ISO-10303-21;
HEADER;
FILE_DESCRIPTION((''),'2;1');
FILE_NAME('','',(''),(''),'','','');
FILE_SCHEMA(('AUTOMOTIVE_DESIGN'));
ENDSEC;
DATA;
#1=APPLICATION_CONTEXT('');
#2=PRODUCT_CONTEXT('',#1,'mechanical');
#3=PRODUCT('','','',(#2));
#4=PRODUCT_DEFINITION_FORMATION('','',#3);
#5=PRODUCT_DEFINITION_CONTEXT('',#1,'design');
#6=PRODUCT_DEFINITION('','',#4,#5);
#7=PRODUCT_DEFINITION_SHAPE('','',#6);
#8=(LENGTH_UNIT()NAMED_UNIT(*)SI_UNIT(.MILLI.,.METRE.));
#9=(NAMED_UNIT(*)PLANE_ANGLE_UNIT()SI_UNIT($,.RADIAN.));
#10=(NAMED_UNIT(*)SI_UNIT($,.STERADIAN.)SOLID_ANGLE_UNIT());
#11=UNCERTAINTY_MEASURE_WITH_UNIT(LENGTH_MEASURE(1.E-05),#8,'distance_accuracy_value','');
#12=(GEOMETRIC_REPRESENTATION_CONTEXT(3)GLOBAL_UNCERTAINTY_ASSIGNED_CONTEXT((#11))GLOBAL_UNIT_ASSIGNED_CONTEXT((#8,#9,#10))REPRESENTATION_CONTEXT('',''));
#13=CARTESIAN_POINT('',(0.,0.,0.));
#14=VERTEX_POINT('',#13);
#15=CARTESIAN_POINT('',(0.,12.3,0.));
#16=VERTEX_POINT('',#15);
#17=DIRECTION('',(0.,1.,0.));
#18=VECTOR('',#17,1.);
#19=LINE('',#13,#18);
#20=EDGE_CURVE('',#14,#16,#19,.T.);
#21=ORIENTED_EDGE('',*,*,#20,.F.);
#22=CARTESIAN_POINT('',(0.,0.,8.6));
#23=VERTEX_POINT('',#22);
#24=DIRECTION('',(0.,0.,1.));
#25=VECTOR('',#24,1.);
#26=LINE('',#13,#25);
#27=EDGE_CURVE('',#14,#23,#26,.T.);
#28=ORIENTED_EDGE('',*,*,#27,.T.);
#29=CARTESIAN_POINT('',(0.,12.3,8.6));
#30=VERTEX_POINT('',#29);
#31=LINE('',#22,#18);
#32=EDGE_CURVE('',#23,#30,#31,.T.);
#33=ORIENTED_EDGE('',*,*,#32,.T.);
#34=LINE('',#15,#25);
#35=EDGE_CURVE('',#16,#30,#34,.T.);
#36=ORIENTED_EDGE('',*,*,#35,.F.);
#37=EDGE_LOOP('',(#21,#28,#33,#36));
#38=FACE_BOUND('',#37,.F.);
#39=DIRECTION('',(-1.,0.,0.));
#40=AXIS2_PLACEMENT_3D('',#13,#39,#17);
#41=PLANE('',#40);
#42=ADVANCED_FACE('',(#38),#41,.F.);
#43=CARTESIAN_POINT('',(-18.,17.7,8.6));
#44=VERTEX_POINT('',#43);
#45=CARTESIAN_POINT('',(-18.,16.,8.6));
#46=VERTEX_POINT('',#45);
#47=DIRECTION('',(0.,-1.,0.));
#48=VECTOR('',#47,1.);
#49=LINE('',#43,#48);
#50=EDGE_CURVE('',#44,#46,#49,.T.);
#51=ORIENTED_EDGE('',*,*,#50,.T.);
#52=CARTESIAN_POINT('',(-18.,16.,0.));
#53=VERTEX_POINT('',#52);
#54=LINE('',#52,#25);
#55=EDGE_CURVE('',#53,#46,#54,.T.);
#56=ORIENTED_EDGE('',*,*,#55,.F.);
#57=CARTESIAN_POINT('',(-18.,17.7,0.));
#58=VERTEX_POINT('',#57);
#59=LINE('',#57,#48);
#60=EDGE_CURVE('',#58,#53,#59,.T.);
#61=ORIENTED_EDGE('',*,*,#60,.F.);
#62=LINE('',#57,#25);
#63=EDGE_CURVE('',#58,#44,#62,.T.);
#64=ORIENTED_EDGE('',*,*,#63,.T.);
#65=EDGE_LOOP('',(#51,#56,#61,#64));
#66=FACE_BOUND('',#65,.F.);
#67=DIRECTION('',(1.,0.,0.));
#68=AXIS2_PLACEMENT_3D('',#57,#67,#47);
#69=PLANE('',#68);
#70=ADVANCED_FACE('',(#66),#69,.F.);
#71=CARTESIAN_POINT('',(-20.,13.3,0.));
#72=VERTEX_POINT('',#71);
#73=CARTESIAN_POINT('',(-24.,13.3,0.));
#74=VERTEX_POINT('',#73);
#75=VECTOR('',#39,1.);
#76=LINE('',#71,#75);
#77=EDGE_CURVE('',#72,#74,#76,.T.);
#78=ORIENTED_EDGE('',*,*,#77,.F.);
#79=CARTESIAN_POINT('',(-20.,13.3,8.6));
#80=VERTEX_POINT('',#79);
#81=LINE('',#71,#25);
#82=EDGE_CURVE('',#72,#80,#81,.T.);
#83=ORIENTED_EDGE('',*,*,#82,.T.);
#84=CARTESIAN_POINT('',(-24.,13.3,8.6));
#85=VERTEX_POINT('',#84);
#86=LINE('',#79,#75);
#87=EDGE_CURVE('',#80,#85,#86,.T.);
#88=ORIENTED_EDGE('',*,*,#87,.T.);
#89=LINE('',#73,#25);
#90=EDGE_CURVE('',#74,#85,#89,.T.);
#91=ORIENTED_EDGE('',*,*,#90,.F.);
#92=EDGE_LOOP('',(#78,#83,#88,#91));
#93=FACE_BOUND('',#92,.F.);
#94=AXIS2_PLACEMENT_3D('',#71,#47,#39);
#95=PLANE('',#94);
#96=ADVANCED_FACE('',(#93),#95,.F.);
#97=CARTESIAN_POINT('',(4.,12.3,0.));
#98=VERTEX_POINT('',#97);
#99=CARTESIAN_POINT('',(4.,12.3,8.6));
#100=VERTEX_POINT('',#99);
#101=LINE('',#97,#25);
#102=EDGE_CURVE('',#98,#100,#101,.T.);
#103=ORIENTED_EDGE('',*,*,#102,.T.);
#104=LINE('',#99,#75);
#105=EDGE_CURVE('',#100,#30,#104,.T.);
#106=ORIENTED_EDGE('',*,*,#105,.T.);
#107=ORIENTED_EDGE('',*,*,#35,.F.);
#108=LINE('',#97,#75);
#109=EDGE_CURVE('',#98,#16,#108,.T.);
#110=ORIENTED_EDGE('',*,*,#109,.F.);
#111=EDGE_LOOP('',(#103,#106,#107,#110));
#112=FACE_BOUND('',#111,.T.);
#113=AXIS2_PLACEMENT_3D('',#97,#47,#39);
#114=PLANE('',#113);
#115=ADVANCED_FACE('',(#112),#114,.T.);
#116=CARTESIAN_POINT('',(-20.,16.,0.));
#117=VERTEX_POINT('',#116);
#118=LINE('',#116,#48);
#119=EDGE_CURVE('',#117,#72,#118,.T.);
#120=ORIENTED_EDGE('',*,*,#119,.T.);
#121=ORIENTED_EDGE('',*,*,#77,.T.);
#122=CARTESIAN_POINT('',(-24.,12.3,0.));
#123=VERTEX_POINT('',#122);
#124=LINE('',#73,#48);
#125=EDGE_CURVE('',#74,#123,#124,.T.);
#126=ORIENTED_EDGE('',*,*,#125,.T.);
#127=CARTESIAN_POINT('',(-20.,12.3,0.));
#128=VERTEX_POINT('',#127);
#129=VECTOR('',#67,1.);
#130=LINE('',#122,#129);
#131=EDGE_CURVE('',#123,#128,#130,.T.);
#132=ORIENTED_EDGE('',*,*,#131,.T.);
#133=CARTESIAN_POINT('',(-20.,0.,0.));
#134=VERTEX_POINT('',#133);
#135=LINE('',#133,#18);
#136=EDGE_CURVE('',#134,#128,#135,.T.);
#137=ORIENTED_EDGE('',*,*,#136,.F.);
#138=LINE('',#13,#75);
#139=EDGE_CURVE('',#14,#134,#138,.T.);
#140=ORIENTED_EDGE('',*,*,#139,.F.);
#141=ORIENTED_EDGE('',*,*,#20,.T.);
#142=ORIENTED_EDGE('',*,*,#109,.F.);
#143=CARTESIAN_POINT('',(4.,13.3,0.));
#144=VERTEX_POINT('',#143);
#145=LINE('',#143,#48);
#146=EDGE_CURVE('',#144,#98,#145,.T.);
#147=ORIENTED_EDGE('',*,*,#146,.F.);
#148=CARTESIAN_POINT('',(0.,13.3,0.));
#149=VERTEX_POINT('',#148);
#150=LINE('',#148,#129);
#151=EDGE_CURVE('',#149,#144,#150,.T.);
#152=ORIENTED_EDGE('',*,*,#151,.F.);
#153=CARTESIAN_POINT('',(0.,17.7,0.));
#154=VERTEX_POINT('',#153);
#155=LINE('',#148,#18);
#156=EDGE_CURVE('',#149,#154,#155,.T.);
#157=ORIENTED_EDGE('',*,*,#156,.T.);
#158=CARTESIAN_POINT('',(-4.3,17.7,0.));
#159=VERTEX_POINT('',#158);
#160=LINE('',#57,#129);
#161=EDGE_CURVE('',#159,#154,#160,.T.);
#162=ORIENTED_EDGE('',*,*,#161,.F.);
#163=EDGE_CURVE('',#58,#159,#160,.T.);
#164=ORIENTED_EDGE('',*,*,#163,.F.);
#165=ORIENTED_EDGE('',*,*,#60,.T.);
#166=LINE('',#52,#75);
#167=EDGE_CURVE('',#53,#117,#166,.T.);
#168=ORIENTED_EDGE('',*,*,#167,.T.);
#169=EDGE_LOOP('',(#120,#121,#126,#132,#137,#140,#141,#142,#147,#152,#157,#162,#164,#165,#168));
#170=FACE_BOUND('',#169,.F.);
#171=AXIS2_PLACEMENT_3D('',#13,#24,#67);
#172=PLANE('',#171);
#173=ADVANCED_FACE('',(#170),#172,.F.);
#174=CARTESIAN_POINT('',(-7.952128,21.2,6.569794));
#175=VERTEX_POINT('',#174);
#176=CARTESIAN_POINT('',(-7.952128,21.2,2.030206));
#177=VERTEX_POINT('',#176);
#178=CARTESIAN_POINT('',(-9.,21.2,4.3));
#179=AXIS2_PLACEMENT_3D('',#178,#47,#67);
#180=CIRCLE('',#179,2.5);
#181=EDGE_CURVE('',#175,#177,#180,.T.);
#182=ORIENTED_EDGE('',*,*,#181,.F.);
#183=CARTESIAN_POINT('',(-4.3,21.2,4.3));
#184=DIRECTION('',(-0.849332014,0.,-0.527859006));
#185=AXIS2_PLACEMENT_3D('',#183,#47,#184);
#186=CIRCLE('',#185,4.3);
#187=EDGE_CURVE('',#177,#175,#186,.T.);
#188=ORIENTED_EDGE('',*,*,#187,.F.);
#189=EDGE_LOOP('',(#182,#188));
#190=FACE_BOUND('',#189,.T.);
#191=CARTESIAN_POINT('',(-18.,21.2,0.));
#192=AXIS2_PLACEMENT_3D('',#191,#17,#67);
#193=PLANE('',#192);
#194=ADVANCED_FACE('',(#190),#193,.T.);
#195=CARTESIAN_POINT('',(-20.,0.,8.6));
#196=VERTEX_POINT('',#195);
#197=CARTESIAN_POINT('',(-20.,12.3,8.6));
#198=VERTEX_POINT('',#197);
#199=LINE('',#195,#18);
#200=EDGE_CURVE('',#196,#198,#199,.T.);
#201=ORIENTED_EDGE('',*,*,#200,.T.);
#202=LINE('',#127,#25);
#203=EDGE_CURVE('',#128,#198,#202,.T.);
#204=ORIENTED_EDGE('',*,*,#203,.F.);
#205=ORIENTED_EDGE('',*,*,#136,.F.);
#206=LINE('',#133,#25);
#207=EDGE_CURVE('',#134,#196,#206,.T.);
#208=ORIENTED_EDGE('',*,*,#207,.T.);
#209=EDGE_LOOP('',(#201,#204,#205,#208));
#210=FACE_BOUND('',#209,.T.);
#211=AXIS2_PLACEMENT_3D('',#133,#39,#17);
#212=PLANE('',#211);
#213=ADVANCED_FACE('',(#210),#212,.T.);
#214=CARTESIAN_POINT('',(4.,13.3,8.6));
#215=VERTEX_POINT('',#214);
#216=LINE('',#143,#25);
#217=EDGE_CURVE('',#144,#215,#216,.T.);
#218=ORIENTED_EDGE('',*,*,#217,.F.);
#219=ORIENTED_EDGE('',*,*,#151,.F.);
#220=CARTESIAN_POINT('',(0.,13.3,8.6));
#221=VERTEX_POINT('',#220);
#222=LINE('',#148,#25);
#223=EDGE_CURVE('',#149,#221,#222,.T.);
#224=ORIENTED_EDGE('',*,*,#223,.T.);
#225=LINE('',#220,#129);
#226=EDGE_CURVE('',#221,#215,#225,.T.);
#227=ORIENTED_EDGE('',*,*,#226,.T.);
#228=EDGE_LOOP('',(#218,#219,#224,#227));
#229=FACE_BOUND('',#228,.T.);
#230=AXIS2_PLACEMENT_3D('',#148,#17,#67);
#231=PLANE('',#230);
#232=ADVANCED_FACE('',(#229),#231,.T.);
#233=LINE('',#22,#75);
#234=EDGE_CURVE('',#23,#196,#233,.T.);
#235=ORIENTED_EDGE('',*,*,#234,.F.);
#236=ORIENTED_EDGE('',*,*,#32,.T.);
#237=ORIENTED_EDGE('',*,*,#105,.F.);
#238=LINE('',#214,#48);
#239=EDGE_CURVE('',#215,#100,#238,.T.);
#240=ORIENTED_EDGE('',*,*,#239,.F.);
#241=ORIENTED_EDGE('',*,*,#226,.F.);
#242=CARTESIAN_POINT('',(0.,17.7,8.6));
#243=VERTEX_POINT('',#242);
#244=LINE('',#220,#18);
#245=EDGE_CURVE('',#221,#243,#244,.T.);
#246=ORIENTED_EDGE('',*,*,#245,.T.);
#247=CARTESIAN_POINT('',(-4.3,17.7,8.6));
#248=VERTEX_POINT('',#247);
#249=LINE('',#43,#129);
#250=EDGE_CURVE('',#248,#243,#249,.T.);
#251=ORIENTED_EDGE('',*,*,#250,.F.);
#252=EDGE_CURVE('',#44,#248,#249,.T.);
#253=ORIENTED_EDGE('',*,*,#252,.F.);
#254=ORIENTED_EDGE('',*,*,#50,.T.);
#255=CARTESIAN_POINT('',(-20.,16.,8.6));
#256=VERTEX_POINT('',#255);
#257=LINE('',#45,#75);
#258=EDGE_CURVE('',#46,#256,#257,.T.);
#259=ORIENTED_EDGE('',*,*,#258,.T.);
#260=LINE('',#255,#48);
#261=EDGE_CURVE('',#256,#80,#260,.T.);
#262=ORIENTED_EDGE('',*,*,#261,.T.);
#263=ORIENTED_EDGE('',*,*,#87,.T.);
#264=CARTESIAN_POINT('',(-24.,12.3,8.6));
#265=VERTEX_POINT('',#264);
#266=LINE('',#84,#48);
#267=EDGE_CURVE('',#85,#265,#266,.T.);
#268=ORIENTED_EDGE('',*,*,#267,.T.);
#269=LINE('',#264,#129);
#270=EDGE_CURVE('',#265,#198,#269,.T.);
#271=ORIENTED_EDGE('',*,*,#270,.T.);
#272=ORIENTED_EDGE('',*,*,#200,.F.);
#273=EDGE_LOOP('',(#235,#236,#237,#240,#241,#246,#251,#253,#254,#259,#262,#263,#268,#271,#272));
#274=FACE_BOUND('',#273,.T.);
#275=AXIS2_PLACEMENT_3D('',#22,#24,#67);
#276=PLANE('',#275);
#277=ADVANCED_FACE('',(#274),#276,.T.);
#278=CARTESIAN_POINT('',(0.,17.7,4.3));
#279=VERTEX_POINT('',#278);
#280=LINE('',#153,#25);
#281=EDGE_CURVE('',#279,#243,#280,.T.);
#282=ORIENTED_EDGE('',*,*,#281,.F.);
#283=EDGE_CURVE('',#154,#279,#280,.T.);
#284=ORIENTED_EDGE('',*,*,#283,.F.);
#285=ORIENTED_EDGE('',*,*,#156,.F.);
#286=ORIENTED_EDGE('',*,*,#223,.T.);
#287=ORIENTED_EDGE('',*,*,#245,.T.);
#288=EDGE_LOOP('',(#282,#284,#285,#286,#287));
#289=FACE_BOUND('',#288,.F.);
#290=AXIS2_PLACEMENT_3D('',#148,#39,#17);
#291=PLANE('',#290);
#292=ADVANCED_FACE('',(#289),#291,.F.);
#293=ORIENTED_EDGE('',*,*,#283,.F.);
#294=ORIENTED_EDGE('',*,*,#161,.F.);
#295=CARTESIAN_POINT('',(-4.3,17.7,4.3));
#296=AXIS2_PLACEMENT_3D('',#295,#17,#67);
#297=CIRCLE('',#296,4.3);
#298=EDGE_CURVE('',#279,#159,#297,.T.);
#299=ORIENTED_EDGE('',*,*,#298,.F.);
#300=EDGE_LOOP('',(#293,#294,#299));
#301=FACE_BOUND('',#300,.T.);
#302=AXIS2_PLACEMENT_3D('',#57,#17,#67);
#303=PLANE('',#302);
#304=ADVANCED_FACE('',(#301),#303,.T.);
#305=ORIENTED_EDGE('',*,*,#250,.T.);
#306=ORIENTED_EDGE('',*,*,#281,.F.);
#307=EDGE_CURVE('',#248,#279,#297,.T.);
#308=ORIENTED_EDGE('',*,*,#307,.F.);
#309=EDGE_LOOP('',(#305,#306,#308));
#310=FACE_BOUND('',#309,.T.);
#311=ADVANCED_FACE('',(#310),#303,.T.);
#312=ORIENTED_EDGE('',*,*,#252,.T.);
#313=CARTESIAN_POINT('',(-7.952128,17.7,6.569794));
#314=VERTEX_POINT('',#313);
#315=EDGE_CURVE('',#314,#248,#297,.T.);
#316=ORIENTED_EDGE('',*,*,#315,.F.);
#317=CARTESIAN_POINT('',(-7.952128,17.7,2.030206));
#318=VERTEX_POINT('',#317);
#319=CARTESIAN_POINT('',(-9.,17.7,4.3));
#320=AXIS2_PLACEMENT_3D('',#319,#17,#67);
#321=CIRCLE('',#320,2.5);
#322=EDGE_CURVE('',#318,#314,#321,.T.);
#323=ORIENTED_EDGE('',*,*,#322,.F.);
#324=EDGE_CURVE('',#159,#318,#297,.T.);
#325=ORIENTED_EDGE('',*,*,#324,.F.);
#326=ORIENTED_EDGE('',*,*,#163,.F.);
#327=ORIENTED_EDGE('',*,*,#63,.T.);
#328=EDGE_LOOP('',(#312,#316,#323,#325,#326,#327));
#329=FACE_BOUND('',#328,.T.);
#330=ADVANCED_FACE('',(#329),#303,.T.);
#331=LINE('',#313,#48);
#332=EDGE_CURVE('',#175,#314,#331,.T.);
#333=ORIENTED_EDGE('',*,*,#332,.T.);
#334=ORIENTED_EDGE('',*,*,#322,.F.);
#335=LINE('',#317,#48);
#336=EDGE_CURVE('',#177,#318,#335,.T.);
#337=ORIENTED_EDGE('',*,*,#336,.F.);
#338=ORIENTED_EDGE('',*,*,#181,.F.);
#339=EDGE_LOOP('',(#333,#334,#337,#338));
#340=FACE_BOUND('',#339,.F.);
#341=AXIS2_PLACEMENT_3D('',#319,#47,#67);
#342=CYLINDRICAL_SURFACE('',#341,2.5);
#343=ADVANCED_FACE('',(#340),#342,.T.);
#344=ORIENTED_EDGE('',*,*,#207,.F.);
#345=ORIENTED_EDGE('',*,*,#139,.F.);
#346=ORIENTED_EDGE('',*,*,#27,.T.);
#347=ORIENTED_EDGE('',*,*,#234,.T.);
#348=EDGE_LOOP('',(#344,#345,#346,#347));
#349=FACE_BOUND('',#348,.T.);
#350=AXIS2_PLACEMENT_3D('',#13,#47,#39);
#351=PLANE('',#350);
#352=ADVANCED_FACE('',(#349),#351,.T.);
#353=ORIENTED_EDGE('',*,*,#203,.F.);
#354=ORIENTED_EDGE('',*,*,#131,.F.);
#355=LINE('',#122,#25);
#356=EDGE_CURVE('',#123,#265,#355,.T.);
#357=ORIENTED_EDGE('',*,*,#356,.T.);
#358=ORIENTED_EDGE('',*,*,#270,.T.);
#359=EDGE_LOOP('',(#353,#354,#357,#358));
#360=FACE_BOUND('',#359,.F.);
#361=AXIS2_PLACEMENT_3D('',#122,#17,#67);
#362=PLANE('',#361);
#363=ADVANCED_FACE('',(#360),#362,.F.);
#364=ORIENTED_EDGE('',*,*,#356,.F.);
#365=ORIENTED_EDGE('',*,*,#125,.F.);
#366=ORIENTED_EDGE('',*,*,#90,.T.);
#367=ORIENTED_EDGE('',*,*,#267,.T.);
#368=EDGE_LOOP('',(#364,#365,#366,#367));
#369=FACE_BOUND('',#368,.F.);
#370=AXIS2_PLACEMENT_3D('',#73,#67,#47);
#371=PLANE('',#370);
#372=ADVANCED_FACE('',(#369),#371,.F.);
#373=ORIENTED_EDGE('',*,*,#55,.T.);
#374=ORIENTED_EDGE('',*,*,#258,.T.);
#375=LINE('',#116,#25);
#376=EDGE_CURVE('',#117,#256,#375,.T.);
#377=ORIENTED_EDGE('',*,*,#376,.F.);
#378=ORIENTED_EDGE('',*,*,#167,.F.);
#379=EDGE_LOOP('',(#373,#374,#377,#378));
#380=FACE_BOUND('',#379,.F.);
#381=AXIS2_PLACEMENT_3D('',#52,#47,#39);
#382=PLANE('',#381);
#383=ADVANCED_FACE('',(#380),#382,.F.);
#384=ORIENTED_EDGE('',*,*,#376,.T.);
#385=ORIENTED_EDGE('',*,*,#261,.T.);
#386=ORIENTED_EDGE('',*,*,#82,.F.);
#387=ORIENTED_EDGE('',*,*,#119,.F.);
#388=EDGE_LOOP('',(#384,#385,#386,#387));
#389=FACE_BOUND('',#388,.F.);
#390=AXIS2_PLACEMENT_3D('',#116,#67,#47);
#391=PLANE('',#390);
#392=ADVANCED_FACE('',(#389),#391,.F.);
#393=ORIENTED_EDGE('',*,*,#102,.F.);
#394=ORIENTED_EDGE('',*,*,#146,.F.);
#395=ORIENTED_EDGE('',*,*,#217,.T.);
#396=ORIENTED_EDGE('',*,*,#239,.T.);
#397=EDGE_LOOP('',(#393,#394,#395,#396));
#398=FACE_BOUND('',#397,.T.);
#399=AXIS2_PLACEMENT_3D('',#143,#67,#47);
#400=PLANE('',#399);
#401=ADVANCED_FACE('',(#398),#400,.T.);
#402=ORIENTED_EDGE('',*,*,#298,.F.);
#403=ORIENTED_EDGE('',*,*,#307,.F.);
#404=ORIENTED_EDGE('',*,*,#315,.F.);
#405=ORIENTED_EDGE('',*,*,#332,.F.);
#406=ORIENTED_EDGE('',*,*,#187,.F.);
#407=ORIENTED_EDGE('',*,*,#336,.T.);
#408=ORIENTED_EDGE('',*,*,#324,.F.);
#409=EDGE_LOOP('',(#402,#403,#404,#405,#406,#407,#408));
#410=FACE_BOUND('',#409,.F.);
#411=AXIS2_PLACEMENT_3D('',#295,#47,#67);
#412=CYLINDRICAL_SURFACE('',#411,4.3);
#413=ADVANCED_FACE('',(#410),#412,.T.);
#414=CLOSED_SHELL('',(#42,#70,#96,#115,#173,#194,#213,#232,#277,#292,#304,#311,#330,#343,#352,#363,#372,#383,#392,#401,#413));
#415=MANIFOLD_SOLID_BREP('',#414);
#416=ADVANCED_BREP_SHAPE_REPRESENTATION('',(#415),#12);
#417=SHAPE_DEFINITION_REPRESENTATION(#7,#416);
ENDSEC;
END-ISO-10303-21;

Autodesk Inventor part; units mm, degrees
ref_plane "YZ Plane" through (0, 0, 0) normal (1, 0, 0) x (0, 1, 0)
ref_plane "XZ Plane" through (0, 0, 0) normal (0, 1, 0) x (-1, 0, 0)
ref_plane "XY Plane" through (0, 0, 0) normal (0, 0, 1) x (1, 0, 0)
sketch "Sketch1" plane through (0, 0, 0) normal (0, 0, 1) x (1, 0, 0)
  line L0 (0, 0) -> (-20, 0)
  line L1 (-18, 17.7) -> (0, 17.7)
  line L2 (-20, 17.7) -> (-18, 17.7)
  line L3 (-18, 17.7) -> (-18, 16)
  line L4 (-18, 16) -> (-20, 16)
  line L5 (-20, 16) -> (-20, 13.3)
  line L6 (-20, 13.3) -> (-24, 13.3)
  line L7 (-24, 13.3) -> (-24, 12.3)
  line L8 (-24, 12.3) -> (-20, 12.3)
  line L9 (-20, 0) -> (-20, 12.3)
  line L10 (-20, 13.3) -> (-20, 16)
  line L11 (0, 13.3) -> (4, 13.3)
  line L12 (4, 13.3) -> (4, 12.3)
  line L13 (4, 12.3) -> (0, 12.3)
  line L14 (0, 0) -> (0, 12.3)
  line L15 (0, 13.3) -> (0, 17.7)
  dimension "d0" = 20
  dimension "d1" = 17.7
  dimension "d2" = 2
  dimension "d3" = 1.7
  dimension "d4" = 2.7
  dimension "d5" = 4
  dimension "d6" = 1
extrude "Extrusion1" add sketch "Sketch1" along normal blind 8.6
sketch "Sketch2" plane through (-18, 17.7, 0) normal (0, 1, 0) x (1, 0, 0)
  line L0 (18, 0) -> (0, 0) projected
  line L1 (0, 0) -> (0, -8.6) projected
  line L2 (18, -8.6) -> (0, -8.6) projected
  line L3 (18, 0) -> (18, -8.6) projected
  circle A0 centre (13.7, -4.3) radius 4.3
extrude "Extrusion2" add sketch "Sketch2" along normal blind 3.5 contours A0
sketch "Sketch3" plane through (-18, 17.7, 8.6) normal (0, 1, 0) x (1, 0, 0)
  line L0 (18, 8.6) -> (18, 4.3) projected
  line L1 (9, 8.6) -> (9, 0)
  line L2 (13.7, 8.6) -> (0, 8.6) projected
  line L3 (13.7, 0) -> (0, 0) projected
  line L4 (6.1752, 8.6) -> (10.4672, 8.6)
  line L5 (6.1752, 0) -> (10.4672, 0)
  circle A0 centre (9, 4.3) radius 2.5
  dimension "d11" = 9
  dimension "d12" = 5
extrude "Extrusion3" add sketch "Sketch3" along normal up to surface (3.5 mm away)
sketch "Sketch4" plane through (0, 0, 8.6) normal (0, 0, 1) x (1, 0, 0)
  line L0 (-24, 13.3) -> (-24, 12.3) projected
  line L1 (-20, 13.3) -> (-24, 13.3) projected
  line L2 (-20, 16) -> (-20, 13.3) projected
  line L3 (-18, 16) -> (-20, 16) projected
  line L4 (-18, 17.7) -> (-18, 16) projected
  line L5 (-4.3, 17.7) -> (-18, 17.7) projected
  line L6 (0, 17.7) -> (-4.3, 17.7) projected
  line L7 (0, 13.3) -> (0, 17.7) projected
  line L8 (4, 13.3) -> (0, 13.3) projected
  line L9 (4, 12.3) -> (4, 13.3) projected
  line L10 (0, 12.3) -> (4, 12.3) projected
  line L11 (0, 0) -> (0, 12.3) projected
  line L12 (-20, 0) -> (0, 0) projected
  line L13 (-20, 12.3) -> (-20, 0) projected
  line L14 (-24, 12.3) -> (-20, 12.3) projected
sketch "Sketch5" plane through (0, 0, 0) normal (1, 0, 0) x (0, 0, -1)
  line L0 (0, 0) -> (0, 12.3) projected
  line L1 (0, 12.3) -> (-8.6, 12.3) projected
  line L2 (-8.6, 0) -> (-8.6, 12.3) projected
  line L3 (0, 0) -> (-8.6, 0) projected
properties part number "Servo"
